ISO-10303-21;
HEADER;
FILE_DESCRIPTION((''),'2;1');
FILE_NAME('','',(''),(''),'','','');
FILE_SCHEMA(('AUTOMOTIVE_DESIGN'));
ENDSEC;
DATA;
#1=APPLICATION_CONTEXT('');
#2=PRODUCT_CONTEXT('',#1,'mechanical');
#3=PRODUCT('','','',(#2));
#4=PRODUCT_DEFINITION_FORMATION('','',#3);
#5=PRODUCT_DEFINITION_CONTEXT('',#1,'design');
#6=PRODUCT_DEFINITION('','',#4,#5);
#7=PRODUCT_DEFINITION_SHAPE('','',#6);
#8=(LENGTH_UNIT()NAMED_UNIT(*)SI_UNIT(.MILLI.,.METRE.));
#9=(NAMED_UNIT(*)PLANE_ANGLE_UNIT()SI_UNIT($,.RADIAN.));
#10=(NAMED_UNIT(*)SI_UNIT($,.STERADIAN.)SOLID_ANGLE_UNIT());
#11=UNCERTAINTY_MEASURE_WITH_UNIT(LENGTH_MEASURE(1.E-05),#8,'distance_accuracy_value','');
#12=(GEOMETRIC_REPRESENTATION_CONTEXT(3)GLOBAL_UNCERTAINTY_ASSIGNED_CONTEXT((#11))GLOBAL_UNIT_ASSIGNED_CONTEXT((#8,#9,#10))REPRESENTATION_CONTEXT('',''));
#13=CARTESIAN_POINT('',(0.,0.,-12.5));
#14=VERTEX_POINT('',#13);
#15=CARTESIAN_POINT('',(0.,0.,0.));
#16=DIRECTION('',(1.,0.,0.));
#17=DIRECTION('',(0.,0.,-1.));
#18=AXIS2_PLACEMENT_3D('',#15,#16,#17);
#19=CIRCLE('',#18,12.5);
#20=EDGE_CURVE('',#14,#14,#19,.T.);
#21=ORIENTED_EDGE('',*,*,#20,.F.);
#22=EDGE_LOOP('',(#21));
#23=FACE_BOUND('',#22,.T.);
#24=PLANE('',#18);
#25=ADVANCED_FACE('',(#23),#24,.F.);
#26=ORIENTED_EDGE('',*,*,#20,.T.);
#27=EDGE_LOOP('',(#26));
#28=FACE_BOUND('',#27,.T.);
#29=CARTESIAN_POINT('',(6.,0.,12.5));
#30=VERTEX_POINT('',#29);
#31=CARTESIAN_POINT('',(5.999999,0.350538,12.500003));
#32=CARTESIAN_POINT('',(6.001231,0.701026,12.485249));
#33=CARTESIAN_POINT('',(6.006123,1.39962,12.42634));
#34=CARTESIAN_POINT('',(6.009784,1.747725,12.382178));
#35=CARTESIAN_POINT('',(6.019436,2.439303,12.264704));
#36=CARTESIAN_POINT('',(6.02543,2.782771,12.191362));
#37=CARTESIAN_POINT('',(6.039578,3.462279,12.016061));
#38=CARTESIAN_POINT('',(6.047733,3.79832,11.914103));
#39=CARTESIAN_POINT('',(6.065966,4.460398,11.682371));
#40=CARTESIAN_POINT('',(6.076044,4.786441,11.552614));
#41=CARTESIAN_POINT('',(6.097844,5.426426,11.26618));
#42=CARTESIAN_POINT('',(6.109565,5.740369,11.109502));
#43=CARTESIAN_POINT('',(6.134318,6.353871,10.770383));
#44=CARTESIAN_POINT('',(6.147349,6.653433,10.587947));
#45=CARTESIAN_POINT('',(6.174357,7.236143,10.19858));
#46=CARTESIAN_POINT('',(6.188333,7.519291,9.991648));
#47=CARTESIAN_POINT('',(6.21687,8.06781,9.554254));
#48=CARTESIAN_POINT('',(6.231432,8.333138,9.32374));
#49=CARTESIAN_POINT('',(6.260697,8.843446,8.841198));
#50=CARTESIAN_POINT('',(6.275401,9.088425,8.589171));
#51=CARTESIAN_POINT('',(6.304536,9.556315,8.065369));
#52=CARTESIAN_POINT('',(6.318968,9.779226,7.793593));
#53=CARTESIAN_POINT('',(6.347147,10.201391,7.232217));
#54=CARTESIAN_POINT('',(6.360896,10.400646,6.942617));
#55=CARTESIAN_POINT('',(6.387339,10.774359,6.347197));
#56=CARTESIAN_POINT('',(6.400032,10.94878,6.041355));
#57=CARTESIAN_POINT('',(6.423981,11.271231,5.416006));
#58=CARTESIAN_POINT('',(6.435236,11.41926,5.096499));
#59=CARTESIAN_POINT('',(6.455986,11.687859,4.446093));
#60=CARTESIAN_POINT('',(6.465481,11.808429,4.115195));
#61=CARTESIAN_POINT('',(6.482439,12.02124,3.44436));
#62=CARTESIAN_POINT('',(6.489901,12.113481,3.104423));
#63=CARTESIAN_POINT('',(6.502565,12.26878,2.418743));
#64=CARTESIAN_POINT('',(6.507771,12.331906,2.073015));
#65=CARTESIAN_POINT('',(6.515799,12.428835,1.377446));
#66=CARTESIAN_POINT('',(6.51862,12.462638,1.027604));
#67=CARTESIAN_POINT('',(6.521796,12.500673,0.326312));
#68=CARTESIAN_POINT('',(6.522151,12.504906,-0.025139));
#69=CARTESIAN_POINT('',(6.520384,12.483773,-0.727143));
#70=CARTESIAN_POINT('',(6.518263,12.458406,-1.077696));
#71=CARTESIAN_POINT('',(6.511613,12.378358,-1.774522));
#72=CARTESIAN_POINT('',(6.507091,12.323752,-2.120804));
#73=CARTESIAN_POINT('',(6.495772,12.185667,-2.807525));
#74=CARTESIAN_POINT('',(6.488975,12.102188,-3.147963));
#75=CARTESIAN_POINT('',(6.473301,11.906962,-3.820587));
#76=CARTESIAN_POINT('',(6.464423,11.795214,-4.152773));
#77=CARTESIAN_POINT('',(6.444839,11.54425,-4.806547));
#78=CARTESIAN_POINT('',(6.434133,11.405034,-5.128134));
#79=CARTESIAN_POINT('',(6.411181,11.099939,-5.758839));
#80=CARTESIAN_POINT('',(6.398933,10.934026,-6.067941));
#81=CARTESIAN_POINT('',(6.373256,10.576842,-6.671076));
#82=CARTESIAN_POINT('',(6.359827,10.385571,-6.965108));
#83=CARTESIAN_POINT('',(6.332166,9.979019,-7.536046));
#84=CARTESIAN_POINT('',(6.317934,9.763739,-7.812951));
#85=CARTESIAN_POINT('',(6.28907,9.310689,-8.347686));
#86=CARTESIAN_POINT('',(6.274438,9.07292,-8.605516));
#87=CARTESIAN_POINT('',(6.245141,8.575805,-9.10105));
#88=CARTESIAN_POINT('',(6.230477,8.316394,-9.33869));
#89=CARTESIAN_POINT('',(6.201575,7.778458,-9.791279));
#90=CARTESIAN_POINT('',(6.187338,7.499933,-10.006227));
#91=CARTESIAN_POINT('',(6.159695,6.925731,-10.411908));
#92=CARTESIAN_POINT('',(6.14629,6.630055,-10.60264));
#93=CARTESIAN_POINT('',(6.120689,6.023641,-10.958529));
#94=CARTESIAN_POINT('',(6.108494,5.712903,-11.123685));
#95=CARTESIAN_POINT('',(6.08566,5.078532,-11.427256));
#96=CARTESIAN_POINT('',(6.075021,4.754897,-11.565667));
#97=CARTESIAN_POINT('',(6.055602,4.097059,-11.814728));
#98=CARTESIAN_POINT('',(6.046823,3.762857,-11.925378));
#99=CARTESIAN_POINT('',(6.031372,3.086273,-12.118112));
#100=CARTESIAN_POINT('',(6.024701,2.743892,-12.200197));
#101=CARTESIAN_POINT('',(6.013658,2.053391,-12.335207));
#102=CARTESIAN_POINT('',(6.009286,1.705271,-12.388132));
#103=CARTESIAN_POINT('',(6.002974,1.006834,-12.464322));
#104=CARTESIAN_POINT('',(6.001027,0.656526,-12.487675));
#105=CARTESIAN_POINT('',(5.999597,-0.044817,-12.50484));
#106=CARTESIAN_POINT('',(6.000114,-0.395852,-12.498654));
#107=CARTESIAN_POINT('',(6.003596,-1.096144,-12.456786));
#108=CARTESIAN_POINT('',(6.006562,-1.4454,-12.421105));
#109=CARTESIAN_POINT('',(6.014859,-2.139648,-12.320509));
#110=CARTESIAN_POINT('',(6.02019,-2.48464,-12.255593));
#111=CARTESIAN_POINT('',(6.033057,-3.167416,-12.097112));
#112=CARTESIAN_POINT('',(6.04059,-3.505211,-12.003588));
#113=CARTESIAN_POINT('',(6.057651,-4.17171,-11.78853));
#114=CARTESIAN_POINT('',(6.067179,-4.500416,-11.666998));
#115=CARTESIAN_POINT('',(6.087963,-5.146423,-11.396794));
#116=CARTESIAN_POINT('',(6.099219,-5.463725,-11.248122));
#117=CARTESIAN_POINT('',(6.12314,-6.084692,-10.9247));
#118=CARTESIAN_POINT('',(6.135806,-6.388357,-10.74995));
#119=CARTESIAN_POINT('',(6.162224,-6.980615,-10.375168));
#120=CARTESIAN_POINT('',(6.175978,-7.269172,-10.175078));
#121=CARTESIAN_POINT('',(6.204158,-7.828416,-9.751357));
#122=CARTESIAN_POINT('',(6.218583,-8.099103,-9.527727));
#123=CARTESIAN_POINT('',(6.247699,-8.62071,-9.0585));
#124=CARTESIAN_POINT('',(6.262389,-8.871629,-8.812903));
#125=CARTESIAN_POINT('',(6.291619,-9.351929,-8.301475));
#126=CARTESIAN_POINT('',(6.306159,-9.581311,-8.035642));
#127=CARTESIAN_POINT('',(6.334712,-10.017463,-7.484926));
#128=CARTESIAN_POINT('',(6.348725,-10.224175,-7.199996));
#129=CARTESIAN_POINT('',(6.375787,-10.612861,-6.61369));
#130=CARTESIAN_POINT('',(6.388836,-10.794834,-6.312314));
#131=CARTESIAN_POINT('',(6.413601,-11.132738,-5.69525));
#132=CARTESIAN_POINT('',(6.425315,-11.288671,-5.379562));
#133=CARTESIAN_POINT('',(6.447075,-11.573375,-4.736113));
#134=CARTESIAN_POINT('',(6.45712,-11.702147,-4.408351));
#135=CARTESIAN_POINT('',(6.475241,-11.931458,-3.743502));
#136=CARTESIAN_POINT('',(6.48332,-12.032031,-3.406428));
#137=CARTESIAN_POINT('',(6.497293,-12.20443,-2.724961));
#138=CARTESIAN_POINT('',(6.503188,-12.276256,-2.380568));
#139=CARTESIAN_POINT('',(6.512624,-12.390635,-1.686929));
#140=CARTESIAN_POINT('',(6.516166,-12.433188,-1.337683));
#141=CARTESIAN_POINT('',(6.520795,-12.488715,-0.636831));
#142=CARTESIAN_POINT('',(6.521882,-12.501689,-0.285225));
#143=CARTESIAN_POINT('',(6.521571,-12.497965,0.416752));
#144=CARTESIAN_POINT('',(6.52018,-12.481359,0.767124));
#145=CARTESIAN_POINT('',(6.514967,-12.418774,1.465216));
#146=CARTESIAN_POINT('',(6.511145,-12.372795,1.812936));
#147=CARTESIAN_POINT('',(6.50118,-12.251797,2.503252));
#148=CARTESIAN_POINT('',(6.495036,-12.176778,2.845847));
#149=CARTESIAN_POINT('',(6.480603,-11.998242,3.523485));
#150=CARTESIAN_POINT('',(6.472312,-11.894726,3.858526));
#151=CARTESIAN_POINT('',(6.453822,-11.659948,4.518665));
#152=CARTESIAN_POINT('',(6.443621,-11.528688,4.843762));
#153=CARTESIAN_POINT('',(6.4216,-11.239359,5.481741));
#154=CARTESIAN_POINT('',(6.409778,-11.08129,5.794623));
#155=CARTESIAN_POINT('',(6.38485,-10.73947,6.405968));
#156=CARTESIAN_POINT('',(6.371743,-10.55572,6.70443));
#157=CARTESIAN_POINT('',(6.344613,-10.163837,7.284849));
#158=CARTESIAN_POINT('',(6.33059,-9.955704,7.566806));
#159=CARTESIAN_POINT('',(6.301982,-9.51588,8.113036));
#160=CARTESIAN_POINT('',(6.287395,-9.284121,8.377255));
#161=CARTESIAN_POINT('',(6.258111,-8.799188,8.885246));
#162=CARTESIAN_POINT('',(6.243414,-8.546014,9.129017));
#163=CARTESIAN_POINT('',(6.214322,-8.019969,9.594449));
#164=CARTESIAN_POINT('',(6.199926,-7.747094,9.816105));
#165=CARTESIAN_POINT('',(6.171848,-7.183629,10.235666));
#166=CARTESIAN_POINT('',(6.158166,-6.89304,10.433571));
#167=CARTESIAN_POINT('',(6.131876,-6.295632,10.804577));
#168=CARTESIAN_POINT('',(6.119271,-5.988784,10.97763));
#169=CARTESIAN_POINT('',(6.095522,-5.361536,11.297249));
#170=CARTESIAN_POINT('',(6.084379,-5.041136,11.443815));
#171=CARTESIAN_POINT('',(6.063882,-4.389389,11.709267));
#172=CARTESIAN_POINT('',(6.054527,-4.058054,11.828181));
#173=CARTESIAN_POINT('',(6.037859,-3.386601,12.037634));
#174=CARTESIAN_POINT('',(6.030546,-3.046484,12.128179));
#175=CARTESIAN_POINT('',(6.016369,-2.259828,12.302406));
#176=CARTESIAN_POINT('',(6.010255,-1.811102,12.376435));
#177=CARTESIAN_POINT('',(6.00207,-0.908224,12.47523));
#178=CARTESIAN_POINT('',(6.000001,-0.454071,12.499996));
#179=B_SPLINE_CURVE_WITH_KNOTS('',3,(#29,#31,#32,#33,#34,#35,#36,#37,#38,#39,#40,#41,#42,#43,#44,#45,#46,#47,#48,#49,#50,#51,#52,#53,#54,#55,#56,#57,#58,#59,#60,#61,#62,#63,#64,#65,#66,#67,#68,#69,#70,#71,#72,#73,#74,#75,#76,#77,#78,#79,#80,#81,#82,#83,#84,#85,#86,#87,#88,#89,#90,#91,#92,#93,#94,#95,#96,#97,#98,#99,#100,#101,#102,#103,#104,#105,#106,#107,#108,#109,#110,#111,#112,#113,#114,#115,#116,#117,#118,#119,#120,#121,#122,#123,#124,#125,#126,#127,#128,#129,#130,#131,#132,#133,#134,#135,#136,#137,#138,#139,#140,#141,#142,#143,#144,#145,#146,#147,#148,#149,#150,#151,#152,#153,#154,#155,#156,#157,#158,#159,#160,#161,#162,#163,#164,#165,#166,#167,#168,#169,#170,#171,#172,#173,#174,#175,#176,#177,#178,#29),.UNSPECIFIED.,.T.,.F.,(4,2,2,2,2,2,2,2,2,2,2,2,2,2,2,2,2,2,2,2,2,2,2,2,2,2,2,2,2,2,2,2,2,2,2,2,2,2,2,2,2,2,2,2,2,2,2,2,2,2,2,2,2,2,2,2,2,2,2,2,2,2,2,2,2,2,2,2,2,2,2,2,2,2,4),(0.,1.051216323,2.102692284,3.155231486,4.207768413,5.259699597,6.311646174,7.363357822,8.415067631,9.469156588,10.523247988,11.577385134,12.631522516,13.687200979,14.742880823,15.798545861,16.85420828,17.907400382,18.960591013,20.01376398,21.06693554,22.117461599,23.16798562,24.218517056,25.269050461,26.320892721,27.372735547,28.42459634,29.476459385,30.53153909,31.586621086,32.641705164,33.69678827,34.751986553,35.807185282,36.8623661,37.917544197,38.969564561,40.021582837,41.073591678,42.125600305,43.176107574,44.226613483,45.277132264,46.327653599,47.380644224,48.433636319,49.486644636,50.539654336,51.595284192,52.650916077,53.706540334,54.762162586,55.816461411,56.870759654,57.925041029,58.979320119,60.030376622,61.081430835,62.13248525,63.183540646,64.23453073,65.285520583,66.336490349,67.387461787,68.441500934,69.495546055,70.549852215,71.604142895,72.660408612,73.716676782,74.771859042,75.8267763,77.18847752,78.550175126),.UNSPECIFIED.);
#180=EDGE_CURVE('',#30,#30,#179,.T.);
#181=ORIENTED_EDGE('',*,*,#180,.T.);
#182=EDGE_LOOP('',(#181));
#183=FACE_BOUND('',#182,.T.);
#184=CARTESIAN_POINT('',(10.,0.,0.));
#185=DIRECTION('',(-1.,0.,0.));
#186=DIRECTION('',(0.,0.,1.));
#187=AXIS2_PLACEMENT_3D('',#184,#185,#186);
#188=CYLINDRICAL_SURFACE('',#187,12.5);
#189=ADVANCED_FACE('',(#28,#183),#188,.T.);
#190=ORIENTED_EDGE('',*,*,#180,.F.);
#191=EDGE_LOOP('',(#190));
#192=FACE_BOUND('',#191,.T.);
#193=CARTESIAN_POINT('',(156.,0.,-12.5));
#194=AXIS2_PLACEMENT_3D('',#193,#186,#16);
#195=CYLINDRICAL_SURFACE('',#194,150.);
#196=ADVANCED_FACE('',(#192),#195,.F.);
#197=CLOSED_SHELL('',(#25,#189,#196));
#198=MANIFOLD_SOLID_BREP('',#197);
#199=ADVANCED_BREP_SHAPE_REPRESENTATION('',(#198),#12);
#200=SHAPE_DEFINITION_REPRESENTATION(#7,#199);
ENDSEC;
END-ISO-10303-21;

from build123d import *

# Parameters (mm, degrees)
SKETCH_1_R               = 12.5
EXTRUDE_1_DEPTH          = 10
SKETCH_2_R               = 150
CUT_EXTRUDE_1_DEPTH      = 13.5
CUT_EXTRUDE_1_DEPTH_BACK = 13.5


with BuildPart() as part:
    # 草图1 → 凸台-拉伸1 (new body)
    with BuildSketch(Plane(origin=(0, 0, 0), x_dir=(0, 0, -1), z_dir=(1, 0, 0))):
        Circle(SKETCH_1_R)
    extrude(amount=EXTRUDE_1_DEPTH)

    # 草图2 → 切除-拉伸1 (cut, two sides)
    with BuildSketch(Plane.XY) as cut_extrude_1_sk:
        with Locations((156, 0)):
            Circle(SKETCH_2_R)
    extrude(amount=CUT_EXTRUDE_1_DEPTH, mode=Mode.SUBTRACT)
    extrude(cut_extrude_1_sk.sketch, amount=-CUT_EXTRUDE_1_DEPTH_BACK, mode=Mode.SUBTRACT)


solid = part.part
